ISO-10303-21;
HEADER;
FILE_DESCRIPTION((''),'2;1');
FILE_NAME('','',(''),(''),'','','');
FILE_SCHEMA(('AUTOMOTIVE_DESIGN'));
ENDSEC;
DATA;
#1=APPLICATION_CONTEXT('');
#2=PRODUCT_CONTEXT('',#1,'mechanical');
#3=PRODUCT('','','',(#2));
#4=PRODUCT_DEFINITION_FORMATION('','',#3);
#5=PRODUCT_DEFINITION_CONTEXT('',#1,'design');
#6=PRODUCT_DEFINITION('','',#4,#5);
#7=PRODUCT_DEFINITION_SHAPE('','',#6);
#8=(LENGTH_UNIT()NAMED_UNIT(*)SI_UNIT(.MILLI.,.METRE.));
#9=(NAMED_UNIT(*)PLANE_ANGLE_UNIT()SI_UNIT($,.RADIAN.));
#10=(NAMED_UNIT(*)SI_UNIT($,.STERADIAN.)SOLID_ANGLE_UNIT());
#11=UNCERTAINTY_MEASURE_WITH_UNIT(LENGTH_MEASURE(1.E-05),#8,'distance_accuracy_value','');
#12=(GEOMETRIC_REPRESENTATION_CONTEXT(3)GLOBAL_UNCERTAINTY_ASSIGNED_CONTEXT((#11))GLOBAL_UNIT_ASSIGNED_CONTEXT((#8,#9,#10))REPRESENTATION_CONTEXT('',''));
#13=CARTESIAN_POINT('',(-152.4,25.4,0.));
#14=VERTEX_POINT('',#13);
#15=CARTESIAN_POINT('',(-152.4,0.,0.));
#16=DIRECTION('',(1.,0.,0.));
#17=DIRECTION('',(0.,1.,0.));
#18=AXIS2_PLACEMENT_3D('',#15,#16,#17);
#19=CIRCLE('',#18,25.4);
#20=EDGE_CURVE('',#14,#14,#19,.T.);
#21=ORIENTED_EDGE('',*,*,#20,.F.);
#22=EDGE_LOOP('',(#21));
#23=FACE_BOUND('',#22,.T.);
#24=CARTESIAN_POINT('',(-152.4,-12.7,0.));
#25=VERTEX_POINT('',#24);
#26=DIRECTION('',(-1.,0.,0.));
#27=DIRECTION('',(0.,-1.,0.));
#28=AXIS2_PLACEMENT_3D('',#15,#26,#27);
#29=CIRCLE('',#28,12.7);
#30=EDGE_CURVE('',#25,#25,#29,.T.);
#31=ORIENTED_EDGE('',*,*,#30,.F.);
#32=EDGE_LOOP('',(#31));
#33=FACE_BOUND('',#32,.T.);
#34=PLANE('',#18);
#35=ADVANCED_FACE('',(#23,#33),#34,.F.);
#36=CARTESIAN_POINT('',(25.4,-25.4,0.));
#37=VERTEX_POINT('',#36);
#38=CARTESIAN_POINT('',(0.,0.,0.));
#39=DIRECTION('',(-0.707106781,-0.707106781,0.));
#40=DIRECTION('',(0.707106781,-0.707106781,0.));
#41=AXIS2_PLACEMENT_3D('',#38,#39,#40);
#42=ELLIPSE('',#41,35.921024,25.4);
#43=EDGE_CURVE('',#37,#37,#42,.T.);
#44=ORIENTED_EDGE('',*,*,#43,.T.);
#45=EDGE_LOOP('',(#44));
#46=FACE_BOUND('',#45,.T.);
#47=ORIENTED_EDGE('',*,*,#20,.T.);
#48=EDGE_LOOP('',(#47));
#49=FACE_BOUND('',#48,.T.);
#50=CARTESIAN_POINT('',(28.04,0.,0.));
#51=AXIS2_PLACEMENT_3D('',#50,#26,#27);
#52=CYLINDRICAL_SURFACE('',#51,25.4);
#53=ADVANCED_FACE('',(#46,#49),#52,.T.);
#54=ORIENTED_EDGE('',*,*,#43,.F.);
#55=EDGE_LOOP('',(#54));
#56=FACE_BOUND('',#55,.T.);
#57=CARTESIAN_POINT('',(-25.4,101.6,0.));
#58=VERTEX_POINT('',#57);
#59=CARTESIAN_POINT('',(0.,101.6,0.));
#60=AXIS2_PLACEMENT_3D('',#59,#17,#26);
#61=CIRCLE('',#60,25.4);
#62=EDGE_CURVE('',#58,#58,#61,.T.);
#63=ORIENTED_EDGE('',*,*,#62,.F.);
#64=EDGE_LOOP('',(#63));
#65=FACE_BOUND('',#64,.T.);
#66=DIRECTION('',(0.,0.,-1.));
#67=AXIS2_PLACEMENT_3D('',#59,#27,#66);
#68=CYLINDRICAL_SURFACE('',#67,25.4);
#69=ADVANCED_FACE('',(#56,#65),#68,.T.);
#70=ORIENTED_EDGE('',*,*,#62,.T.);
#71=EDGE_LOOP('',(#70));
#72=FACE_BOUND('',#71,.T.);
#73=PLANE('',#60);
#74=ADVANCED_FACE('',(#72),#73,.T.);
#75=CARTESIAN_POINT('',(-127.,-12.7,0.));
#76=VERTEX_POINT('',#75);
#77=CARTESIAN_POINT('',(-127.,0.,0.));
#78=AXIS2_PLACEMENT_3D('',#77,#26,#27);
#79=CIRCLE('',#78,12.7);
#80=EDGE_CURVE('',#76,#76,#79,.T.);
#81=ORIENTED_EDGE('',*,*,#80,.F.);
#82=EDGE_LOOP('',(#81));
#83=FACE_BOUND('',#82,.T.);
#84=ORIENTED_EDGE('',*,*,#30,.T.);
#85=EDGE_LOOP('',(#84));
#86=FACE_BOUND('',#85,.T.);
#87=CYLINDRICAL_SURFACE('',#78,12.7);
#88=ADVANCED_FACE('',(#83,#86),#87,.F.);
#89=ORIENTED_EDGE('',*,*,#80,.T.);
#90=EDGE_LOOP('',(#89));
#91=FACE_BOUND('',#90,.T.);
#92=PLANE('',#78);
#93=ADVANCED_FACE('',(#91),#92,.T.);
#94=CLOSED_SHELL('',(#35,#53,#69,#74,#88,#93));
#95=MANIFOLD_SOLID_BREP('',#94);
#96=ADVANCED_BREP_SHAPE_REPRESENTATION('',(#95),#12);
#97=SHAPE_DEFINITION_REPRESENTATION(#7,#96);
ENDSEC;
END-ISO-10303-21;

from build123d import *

# Parameters (mm, degrees)
SWEEP1_PROFILE_R   = 25.4
SKETCH9_R          = 12.7
CUT_EXTRUDE1_DEPTH = 25.4


with BuildPart() as part:
    # Sweep1: sweep along a path in Sketch2
    with BuildLine(Plane.XY) as sweep1_path:
        Line((0, 101.6), (0, 0))
        Line((0, 0), (-152.4, 0))
    # Sweep1 profile (on start of the path) → Sweep1 (sweep)
    with BuildSketch(Plane(origin=(0, 101.6, 0), x_dir=(0, 0, -1), z_dir=(0, -1, 0))):
        Circle(SWEEP1_PROFILE_R)
    sweep(path=sweep1_path.line, transition=Transition.RIGHT)

    # Sketch9 → Cut-Extrude1 (cut)
    with BuildSketch(Plane.ZY.offset(152.4)):
        Circle(SKETCH9_R)
    extrude(amount=-CUT_EXTRUDE1_DEPTH, mode=Mode.SUBTRACT)


solid = part.part
